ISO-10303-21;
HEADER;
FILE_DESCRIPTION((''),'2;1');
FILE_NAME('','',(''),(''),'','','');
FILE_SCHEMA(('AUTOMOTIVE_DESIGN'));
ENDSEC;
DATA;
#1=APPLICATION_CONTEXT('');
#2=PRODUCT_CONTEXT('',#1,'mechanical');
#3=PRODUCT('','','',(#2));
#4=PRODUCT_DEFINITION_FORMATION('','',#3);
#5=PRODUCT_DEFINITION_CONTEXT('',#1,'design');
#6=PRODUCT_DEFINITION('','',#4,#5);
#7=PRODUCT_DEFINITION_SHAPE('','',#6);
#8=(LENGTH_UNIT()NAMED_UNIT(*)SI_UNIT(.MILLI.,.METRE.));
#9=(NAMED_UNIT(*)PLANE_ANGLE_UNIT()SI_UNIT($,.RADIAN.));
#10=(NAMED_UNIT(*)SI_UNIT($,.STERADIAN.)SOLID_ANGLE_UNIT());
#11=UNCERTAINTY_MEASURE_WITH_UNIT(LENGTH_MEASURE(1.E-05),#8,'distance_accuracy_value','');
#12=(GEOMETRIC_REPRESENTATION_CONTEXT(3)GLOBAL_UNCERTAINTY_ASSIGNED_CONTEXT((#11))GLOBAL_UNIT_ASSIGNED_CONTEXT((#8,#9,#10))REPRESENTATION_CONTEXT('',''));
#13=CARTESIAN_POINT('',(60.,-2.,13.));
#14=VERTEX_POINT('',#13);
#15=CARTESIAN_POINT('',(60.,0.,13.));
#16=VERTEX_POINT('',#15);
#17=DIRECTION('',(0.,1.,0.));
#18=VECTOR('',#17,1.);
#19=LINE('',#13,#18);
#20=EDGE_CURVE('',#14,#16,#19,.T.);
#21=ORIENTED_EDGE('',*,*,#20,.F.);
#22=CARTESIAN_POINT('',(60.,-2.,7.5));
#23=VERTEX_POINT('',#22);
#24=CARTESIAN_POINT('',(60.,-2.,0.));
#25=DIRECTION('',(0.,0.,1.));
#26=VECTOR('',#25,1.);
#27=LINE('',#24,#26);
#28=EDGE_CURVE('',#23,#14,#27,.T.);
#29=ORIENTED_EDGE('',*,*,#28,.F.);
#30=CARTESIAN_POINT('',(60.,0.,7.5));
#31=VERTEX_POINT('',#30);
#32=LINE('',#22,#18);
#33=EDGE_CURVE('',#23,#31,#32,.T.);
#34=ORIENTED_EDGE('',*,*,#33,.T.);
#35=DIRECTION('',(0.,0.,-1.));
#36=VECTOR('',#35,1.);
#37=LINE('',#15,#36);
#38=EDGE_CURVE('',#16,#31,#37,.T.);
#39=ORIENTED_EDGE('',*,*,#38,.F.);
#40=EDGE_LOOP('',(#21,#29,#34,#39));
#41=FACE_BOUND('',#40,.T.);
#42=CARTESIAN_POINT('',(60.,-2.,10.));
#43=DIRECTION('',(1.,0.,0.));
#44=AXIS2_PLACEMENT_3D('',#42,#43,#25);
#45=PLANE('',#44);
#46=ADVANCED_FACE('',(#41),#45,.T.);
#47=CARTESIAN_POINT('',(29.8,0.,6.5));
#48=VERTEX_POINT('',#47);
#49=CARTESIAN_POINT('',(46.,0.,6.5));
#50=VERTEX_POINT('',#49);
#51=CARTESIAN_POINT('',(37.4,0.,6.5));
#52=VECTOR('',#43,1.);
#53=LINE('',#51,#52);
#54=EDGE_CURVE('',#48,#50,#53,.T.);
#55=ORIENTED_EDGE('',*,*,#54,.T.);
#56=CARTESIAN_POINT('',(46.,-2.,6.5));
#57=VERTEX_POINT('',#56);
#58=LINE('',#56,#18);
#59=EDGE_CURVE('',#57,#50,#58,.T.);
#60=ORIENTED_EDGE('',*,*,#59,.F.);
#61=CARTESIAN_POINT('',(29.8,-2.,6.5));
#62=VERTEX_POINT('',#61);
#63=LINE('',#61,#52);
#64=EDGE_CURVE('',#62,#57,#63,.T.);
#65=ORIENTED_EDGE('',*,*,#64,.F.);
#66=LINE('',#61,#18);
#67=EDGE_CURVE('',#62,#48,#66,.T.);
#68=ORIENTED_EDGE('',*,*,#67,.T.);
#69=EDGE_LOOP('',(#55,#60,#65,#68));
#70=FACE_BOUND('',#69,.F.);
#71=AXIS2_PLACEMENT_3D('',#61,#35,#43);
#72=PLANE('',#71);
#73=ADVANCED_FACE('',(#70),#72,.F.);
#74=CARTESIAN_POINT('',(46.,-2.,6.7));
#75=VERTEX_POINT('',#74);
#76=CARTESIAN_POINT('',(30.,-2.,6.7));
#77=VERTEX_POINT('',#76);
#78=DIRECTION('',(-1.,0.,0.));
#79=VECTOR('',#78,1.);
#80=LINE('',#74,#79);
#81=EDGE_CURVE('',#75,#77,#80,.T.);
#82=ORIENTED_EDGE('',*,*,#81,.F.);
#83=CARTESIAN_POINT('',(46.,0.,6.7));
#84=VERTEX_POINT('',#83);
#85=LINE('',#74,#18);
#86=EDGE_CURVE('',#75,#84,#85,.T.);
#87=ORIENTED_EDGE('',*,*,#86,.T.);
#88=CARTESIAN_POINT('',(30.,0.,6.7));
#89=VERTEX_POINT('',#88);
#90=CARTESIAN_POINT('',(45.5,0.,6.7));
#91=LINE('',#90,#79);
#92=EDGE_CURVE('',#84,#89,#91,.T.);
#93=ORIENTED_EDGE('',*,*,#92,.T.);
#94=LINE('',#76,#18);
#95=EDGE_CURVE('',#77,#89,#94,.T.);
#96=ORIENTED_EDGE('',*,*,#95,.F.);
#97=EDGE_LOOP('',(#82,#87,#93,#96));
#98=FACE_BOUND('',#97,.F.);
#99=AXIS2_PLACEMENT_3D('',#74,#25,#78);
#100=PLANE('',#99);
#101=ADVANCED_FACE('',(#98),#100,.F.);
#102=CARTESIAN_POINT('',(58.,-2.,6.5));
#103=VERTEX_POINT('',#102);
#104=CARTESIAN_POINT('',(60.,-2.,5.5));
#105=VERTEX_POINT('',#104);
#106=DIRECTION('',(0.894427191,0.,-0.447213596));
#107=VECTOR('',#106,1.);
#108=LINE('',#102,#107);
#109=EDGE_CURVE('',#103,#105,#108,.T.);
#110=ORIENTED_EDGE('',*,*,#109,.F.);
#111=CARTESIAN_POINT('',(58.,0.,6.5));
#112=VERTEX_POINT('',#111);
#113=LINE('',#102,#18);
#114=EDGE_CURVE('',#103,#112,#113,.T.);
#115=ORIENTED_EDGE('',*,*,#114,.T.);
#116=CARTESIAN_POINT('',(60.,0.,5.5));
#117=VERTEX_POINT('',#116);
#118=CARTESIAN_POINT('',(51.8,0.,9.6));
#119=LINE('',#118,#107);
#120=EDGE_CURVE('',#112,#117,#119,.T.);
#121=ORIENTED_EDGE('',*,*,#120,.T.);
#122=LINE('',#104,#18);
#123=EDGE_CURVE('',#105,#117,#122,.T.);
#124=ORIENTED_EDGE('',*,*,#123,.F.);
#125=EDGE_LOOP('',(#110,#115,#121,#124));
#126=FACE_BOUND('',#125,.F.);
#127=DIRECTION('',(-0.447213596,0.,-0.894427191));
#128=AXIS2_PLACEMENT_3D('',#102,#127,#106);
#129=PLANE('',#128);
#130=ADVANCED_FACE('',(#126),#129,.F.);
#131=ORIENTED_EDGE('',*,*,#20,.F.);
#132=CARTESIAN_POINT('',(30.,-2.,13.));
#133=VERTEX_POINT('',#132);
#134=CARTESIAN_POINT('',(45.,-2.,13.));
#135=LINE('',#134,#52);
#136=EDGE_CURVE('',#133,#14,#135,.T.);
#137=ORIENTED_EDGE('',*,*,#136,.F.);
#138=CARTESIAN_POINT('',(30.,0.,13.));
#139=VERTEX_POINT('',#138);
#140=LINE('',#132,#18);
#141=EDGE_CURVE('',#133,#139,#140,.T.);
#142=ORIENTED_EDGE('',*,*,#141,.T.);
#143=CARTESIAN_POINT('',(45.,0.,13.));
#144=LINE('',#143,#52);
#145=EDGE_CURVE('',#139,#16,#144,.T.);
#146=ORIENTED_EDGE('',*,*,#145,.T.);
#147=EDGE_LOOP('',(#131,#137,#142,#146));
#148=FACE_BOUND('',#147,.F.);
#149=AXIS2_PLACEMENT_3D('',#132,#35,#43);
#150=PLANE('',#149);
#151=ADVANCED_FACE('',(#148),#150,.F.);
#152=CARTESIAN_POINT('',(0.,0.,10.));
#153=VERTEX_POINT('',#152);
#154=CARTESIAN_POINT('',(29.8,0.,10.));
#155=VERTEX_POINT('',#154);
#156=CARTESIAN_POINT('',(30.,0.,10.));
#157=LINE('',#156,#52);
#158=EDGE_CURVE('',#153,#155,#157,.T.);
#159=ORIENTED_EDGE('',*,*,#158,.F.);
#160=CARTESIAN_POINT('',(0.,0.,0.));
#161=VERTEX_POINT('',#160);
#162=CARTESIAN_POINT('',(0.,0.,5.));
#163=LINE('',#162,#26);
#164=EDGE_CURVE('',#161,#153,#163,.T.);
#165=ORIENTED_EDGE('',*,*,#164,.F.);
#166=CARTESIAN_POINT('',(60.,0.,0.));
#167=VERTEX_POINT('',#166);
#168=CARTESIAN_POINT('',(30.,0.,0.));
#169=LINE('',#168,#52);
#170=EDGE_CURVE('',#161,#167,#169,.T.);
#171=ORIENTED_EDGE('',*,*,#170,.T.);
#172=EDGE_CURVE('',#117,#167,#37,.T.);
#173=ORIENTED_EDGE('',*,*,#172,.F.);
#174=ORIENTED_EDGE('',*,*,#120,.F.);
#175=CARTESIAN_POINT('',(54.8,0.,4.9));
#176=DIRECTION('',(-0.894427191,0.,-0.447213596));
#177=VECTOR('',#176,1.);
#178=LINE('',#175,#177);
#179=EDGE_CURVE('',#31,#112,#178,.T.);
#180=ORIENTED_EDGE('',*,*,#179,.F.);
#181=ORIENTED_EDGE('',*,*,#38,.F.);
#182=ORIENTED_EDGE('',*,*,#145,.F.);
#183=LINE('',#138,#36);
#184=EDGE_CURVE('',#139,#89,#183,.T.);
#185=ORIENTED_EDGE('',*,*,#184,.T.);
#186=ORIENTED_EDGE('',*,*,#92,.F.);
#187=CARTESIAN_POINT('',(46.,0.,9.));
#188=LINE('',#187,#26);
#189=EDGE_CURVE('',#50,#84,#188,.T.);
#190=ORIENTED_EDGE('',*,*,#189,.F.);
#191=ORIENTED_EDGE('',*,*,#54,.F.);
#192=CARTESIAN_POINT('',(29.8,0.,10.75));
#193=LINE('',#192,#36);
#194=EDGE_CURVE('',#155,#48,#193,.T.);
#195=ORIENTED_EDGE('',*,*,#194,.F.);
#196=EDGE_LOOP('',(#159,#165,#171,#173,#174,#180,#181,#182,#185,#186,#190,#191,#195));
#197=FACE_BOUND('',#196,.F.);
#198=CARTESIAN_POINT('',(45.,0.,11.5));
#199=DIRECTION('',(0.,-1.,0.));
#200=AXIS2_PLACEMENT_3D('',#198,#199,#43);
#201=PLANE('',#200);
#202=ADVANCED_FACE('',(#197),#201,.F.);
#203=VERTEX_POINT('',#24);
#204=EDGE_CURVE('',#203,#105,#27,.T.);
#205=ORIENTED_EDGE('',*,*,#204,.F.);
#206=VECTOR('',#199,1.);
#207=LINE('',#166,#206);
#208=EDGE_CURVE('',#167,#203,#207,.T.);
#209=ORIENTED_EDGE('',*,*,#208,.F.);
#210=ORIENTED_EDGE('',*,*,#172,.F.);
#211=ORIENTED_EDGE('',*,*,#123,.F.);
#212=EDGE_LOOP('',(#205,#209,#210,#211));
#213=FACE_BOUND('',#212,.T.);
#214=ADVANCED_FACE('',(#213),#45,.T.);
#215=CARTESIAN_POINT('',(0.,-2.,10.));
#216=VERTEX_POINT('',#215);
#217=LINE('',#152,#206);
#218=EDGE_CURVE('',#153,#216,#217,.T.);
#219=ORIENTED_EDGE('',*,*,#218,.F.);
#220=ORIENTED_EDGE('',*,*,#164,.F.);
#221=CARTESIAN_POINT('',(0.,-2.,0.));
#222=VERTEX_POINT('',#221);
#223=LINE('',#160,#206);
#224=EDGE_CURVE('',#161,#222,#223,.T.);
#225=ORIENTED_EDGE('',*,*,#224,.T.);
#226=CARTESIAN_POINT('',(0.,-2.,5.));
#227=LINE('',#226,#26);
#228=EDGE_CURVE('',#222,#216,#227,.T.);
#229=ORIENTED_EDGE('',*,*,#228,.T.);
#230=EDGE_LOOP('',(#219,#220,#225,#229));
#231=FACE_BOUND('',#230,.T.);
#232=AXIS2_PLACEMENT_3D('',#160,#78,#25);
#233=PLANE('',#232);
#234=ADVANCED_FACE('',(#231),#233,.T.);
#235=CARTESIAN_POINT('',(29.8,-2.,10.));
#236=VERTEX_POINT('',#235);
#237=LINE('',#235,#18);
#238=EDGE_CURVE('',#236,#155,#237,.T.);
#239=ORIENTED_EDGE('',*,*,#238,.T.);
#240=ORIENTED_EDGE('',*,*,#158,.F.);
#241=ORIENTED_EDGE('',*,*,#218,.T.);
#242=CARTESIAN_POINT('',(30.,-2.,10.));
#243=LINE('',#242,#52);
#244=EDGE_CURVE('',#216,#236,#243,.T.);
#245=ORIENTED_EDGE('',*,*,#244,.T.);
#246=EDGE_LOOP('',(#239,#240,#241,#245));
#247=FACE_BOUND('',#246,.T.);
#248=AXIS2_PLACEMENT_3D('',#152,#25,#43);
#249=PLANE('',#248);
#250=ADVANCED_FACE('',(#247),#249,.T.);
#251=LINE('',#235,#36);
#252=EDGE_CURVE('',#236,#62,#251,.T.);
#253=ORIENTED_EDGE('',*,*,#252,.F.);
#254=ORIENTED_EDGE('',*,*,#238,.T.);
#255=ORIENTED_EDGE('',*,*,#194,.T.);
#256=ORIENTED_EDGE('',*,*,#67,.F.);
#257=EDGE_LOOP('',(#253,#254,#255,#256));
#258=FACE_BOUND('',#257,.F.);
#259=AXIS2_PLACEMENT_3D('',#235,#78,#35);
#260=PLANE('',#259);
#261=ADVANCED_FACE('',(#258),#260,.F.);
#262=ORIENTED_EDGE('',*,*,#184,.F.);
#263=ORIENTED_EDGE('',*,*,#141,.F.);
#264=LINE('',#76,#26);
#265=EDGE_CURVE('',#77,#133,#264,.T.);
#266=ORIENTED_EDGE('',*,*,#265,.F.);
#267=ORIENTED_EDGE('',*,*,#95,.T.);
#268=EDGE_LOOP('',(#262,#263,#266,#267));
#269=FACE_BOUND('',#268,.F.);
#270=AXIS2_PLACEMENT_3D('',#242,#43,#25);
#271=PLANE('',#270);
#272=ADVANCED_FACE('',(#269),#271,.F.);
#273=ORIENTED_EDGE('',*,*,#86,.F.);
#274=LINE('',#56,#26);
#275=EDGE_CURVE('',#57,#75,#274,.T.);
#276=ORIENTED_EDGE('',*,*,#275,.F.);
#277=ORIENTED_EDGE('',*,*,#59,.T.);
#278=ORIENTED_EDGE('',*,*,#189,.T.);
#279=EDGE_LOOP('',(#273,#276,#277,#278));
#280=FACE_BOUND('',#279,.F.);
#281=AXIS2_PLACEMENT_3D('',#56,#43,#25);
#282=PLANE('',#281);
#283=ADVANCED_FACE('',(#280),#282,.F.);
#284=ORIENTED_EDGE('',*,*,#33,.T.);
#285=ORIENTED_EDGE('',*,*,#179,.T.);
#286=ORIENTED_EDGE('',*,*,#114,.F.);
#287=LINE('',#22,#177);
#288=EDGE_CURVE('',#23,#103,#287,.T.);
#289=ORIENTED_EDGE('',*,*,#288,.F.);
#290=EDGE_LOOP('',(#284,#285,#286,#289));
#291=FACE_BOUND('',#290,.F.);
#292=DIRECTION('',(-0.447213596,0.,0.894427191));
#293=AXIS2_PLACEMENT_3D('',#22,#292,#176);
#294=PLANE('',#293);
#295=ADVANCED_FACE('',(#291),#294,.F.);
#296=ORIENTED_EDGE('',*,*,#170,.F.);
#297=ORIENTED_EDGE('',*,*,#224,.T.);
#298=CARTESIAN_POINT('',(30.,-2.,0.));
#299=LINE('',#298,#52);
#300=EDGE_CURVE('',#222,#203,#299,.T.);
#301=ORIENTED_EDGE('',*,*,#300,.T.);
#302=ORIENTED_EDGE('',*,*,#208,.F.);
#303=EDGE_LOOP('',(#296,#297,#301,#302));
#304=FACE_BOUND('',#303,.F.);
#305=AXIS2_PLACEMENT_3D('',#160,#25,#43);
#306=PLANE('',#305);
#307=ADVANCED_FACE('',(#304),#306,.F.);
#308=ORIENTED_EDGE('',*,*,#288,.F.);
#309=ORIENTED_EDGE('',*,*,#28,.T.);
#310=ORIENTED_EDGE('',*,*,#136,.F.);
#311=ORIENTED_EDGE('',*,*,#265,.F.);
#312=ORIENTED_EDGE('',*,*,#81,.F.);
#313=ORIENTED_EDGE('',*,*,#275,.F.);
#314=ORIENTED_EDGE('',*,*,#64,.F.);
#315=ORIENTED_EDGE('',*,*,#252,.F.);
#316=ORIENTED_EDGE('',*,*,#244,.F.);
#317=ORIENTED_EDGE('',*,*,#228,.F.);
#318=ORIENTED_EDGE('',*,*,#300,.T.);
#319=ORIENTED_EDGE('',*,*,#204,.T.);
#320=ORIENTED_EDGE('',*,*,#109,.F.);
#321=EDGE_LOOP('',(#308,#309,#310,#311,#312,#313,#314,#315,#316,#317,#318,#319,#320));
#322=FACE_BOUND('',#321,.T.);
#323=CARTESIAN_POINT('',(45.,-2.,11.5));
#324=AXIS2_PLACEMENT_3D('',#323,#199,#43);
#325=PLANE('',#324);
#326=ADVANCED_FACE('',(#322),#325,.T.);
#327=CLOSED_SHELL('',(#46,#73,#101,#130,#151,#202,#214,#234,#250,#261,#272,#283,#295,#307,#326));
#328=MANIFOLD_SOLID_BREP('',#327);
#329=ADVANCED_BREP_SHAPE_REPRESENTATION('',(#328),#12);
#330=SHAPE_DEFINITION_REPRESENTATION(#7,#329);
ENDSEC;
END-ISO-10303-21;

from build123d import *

# Parameters (mm, degrees)
F0_W     = 60
F0_H     = 10
F1_DEPTH = 2
F2_W     = 30
F2_H     = 3
F3_DEPTH = 2
F5_DEPTH = 2.001


with BuildPart() as f1:
    # F0 (on Front) → F1 (new body)
    with BuildSketch(Plane.XZ):
        with Locations((30, 5)):
            Rectangle(F0_W, F0_H)
    extrude(amount=F1_DEPTH)

    # F2 (on face) → F3 (join, through all)
    with BuildSketch(Plane.XZ.offset(2)):
        with Locations((45, 11.5)):
            Rectangle(F2_W, F2_H)
    extrude(amount=-F3_DEPTH)

    # F4 (on face) → F5 (cut, through all)
    with BuildSketch(Plane.XZ.offset(2)):
        Polygon((60, 5.5), (60, 7.5), (58, 6.5), align=None)
        Polygon((30, 6.7), (30, 10), (29.8, 10), (29.8, 6.5), (46, 6.5), (46, 6.7), align=None)
    extrude(amount=-F5_DEPTH, mode=Mode.SUBTRACT)


solid = f1.part
